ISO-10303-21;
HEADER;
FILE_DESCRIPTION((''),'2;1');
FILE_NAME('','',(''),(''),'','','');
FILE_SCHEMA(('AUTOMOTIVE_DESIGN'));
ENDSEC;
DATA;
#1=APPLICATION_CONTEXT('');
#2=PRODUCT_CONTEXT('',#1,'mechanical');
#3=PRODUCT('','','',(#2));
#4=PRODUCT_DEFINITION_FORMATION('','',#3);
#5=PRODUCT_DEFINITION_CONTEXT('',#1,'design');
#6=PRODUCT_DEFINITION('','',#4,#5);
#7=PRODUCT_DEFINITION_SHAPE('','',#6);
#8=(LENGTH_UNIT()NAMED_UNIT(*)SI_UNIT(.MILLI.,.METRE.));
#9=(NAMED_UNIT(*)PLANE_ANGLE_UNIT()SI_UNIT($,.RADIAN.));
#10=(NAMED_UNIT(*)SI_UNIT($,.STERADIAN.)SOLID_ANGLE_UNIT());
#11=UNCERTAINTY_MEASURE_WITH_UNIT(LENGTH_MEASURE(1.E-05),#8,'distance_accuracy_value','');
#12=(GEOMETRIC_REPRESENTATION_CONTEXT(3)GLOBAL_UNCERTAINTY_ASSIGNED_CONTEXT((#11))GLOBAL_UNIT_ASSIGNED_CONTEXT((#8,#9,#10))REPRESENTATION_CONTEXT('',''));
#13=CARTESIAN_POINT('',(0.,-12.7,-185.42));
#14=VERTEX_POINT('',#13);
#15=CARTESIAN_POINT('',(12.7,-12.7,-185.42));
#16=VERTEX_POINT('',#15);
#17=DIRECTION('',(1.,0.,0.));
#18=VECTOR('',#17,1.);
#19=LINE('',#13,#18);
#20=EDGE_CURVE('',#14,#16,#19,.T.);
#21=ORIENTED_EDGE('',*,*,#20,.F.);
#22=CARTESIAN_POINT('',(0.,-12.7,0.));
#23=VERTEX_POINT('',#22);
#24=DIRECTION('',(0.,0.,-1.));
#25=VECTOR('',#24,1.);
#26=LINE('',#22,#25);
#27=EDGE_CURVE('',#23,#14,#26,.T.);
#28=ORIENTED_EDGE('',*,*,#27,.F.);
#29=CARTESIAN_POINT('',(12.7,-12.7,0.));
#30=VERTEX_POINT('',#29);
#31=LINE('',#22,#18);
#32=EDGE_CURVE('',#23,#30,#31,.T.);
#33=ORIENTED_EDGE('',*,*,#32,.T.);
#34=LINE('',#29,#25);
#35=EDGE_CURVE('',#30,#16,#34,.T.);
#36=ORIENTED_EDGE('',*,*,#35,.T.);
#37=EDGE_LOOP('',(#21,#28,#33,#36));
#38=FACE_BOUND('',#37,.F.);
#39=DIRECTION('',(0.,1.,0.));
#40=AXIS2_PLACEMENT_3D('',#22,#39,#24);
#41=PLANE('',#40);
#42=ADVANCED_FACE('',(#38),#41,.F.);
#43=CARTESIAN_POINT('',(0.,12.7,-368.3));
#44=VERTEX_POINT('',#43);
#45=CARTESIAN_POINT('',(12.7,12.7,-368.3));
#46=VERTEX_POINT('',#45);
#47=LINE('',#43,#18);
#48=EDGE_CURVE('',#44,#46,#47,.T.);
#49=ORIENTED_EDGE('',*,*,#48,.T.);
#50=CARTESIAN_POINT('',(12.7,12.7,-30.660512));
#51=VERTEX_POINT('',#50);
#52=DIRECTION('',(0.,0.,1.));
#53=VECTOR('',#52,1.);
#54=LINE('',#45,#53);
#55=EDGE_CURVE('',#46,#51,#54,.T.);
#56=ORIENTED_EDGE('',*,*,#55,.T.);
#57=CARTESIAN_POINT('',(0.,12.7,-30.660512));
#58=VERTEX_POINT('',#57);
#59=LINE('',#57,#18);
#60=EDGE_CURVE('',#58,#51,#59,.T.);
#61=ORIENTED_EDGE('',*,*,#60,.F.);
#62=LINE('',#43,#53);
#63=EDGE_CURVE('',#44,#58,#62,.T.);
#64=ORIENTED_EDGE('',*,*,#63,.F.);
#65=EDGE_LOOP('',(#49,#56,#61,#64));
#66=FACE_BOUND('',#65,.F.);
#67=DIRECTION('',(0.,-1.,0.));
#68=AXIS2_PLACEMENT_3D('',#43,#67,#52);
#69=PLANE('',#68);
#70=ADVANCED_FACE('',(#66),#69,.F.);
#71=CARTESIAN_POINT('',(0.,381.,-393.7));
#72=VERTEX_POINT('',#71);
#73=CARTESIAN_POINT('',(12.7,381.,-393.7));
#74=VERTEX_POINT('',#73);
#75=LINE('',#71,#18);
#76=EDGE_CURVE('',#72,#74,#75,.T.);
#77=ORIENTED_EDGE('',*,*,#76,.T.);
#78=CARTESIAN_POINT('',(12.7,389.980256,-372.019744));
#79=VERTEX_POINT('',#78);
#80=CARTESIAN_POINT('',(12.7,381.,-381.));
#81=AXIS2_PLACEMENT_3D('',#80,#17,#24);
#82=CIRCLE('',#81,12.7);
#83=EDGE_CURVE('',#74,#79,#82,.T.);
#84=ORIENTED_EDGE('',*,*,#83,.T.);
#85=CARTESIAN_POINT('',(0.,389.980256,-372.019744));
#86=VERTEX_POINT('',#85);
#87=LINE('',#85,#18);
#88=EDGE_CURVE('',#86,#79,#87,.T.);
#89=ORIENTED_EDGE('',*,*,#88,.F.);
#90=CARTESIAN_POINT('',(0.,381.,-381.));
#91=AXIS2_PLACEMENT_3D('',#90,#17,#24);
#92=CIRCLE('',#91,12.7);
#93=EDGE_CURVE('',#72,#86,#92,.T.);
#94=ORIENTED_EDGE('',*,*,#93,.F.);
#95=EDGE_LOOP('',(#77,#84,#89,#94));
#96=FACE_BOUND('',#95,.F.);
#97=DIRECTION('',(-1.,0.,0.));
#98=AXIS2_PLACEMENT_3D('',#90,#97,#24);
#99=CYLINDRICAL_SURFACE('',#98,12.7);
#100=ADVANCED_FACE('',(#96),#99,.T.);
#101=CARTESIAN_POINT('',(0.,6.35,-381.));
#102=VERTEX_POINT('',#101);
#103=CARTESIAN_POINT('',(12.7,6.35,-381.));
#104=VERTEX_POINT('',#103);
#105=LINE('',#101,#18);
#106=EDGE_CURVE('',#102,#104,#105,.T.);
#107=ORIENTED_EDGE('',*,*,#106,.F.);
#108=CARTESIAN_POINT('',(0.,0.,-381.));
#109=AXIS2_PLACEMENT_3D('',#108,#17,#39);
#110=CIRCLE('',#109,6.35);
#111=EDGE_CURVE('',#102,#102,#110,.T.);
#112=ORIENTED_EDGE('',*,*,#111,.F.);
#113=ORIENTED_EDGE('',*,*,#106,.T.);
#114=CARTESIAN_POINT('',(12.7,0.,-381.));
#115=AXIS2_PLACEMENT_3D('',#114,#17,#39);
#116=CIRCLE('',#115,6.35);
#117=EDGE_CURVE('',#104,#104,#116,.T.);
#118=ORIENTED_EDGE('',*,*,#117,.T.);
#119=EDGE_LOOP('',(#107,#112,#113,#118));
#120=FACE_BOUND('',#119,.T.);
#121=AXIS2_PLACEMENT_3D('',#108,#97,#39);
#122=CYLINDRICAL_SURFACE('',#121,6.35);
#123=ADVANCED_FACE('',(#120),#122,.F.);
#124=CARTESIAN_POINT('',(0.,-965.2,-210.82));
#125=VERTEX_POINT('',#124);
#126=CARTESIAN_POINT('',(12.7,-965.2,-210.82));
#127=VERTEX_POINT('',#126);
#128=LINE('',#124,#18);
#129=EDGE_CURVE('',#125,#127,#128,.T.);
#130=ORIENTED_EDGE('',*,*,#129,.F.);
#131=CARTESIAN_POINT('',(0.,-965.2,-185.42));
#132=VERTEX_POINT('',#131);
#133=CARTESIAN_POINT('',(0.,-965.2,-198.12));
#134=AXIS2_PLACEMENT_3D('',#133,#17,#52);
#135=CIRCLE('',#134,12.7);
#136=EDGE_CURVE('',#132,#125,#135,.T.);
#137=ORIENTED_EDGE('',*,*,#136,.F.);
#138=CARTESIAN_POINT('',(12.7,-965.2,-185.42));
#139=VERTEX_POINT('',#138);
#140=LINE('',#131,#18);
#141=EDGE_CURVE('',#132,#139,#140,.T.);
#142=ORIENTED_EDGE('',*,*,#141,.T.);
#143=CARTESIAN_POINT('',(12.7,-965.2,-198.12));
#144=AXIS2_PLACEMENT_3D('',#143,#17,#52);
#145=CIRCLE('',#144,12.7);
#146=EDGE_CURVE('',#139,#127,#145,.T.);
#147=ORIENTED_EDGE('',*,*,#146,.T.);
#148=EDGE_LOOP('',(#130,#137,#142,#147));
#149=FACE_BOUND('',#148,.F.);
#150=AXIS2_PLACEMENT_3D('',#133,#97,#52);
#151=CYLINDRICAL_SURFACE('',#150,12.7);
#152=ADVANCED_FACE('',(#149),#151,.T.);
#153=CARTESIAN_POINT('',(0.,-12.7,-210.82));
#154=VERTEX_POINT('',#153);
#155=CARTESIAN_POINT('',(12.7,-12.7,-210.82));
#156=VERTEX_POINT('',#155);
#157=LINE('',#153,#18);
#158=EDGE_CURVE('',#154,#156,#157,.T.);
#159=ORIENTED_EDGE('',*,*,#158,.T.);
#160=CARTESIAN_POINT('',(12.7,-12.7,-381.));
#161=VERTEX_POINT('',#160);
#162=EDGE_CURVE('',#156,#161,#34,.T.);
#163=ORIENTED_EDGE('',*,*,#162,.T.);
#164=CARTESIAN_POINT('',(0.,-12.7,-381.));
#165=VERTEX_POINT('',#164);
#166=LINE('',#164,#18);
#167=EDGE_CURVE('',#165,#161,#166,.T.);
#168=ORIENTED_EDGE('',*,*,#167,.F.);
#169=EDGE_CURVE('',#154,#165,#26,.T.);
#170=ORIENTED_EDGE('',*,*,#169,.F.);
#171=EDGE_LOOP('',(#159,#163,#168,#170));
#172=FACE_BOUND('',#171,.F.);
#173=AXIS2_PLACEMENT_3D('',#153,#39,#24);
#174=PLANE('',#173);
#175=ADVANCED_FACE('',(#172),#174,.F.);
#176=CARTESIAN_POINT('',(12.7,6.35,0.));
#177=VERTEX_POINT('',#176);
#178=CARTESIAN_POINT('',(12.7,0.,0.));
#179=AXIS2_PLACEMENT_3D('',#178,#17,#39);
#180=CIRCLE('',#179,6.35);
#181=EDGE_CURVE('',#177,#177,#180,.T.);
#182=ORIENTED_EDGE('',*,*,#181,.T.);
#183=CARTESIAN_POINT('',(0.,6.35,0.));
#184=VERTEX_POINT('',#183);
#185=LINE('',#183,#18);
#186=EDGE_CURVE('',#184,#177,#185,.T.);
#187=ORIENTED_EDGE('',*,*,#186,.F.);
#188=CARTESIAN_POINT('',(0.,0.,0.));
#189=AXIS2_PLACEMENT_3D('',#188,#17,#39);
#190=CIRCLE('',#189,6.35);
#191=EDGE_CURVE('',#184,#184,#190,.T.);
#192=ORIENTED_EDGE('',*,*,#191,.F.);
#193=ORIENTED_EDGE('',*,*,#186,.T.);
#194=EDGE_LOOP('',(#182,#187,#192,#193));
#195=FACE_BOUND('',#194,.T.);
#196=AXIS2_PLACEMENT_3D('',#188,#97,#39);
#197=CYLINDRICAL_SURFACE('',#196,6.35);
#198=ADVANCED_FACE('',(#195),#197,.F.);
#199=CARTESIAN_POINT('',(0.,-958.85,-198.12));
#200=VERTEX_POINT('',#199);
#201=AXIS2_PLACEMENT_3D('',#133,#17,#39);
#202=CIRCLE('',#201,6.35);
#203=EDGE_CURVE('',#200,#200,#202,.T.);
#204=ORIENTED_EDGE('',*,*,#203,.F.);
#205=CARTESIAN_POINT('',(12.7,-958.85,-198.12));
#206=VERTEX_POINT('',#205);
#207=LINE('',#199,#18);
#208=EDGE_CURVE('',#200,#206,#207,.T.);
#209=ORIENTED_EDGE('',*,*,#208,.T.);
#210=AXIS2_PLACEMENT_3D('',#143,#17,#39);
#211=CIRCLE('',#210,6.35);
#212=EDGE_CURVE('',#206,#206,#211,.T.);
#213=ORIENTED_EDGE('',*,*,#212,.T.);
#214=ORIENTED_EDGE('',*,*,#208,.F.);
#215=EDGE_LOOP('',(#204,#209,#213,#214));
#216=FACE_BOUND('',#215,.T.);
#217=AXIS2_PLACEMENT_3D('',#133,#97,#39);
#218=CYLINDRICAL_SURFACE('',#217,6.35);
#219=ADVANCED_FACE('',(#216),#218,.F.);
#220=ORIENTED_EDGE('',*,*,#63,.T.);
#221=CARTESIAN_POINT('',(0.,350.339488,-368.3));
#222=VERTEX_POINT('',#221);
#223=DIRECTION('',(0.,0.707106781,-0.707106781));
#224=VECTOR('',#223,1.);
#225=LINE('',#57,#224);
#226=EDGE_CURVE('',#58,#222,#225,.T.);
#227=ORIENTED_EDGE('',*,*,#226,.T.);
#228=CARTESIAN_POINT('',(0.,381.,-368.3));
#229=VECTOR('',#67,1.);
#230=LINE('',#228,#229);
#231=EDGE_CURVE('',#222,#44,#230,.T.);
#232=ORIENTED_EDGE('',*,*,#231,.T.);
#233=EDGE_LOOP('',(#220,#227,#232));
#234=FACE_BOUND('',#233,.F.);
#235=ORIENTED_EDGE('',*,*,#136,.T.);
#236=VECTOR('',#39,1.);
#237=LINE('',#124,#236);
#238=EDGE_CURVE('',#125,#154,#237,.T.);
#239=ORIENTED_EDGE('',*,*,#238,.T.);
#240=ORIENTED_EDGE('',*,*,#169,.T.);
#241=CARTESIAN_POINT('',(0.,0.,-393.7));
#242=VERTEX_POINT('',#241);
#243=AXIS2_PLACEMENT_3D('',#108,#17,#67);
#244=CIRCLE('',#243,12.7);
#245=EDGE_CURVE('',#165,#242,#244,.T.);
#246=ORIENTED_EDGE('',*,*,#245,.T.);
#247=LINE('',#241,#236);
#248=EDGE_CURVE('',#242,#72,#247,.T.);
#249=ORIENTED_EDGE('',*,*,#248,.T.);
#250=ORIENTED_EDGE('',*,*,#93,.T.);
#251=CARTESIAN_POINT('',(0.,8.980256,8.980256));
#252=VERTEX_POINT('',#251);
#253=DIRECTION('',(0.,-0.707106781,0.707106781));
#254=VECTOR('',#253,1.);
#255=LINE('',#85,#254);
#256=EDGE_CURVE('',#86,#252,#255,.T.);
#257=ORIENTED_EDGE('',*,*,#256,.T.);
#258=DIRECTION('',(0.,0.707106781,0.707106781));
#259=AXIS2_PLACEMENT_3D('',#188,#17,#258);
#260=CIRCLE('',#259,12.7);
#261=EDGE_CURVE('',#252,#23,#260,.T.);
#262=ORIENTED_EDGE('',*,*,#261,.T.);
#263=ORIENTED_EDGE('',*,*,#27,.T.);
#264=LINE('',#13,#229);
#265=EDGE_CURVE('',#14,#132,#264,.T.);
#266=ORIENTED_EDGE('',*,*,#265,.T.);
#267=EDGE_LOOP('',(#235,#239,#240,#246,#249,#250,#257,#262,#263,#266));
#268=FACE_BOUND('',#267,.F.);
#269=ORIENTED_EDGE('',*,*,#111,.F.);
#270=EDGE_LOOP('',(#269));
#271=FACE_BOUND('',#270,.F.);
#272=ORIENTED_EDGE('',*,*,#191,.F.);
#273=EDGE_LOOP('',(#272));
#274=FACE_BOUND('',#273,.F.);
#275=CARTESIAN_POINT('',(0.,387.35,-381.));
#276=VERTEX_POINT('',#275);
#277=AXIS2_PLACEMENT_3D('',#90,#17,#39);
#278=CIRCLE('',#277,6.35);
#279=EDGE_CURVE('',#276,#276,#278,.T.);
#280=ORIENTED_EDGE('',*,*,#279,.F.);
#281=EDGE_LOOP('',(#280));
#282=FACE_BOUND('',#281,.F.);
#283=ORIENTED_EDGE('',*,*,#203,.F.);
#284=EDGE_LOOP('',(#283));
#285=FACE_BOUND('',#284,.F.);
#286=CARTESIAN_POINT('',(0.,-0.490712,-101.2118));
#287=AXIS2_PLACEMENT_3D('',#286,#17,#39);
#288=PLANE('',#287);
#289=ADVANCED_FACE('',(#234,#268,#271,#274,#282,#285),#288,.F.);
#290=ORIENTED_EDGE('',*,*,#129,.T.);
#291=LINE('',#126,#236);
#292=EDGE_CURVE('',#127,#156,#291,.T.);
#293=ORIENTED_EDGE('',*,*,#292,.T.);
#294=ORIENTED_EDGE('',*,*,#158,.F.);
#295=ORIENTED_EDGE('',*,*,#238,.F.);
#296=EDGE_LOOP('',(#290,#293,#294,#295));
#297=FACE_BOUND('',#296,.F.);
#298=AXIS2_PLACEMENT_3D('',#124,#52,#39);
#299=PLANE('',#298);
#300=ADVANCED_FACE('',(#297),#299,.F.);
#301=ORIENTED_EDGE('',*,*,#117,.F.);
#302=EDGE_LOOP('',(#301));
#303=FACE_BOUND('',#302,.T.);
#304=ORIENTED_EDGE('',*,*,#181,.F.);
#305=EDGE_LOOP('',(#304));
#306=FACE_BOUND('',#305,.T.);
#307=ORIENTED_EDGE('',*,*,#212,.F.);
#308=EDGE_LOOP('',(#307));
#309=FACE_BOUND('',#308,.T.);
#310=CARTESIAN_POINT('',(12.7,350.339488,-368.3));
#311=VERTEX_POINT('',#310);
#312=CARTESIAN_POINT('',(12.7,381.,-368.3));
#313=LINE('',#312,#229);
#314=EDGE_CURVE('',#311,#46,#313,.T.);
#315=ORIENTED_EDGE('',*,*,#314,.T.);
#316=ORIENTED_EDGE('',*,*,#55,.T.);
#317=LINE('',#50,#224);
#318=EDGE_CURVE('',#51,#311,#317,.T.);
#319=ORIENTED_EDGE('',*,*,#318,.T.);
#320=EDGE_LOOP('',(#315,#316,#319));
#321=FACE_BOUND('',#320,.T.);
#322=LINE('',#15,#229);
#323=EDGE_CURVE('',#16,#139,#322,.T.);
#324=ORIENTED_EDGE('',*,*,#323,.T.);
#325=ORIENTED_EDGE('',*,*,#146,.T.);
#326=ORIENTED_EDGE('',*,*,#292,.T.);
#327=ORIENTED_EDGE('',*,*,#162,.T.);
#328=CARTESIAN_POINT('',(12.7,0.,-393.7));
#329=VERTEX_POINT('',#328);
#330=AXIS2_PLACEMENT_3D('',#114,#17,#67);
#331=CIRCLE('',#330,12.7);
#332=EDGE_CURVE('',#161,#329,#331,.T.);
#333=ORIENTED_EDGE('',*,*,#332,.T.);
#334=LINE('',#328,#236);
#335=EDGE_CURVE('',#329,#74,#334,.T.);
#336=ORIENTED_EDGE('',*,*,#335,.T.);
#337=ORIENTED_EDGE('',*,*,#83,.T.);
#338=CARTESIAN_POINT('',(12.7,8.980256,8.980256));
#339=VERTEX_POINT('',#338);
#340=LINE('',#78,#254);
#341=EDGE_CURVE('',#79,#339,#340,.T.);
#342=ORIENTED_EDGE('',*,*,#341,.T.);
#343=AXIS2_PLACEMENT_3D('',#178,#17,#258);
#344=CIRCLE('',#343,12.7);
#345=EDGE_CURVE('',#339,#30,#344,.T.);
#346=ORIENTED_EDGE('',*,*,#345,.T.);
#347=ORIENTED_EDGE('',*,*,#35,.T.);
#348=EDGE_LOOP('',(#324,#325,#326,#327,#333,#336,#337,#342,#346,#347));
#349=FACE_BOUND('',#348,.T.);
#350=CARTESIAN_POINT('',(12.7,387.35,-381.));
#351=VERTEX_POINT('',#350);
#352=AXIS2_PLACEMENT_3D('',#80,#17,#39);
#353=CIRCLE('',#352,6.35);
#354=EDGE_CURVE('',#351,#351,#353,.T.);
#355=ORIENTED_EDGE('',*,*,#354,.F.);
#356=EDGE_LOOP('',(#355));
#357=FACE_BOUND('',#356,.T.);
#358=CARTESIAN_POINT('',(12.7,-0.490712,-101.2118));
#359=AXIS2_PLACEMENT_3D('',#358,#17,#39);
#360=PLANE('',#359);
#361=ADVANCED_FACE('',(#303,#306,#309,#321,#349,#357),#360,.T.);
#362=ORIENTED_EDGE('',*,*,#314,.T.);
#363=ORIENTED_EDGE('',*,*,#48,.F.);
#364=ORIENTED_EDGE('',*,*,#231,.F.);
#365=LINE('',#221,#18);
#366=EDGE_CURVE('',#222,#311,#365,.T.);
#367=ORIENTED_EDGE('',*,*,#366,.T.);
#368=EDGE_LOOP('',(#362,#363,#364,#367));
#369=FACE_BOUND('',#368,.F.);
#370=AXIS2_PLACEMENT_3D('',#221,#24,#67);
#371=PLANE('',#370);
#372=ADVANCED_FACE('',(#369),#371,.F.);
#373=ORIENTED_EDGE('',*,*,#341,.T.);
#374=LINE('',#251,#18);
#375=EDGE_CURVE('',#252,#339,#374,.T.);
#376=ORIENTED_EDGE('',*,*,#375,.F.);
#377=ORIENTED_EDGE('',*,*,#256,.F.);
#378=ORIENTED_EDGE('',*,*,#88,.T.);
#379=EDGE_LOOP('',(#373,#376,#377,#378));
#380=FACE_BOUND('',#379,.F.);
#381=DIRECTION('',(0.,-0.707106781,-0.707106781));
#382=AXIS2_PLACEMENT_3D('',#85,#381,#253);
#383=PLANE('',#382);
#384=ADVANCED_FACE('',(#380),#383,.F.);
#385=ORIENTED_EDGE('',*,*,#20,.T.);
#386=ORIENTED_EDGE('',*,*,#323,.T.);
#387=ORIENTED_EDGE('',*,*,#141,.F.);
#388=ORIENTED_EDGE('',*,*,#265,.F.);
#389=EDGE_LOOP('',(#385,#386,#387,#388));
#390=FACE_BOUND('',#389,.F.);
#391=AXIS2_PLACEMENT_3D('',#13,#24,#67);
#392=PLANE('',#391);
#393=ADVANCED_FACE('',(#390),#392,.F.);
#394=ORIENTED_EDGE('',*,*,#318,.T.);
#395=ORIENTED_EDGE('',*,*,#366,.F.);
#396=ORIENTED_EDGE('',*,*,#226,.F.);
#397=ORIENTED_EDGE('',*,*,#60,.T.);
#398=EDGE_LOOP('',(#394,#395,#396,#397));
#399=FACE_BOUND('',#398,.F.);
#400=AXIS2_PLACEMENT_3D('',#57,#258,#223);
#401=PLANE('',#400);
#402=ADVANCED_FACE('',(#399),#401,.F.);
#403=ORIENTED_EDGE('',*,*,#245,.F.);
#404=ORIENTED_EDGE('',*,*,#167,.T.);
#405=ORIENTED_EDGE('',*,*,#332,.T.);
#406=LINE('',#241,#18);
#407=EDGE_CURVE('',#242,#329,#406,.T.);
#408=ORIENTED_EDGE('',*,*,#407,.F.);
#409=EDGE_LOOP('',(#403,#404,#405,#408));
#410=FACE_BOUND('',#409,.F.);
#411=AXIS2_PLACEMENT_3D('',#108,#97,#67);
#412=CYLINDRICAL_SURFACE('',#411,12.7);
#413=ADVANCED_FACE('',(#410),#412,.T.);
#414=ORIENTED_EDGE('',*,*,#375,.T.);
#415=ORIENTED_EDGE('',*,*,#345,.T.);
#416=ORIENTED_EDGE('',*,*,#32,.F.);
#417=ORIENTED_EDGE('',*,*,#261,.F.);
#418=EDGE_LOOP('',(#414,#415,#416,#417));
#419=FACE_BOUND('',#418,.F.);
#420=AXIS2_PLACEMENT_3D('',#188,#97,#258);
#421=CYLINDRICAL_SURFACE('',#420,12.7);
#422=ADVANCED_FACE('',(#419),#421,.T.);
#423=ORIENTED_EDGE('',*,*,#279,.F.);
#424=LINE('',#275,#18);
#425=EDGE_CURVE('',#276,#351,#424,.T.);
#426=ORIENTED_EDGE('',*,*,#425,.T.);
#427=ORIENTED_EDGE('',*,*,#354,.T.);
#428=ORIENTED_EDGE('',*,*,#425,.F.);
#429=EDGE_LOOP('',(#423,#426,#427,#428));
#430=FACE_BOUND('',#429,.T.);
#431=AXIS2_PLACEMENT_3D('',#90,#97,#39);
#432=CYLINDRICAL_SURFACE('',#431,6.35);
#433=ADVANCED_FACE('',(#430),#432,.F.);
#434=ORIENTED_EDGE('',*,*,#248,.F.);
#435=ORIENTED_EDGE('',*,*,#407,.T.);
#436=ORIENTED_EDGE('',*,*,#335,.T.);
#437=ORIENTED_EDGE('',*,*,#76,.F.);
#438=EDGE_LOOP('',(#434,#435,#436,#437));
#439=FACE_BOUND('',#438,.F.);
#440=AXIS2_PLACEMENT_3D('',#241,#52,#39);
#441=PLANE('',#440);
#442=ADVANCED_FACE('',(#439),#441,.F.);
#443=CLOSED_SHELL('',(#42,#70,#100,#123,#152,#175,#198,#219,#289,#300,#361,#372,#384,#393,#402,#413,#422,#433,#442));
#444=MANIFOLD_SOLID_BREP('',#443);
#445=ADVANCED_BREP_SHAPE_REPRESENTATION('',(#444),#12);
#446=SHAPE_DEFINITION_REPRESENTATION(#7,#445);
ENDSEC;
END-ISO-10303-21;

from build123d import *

# Parameters (mm, degrees)
F0_R     = 6.35
F1_DEPTH = 12.7


with BuildPart() as f1:
    # F0 (on Right) → F1 (new body)
    with BuildSketch(Plane.YZ):
        with BuildLine():
            ThreePointArc((-8.9802561211, -8.9802561211), (-11.7332700629, -4.860079591), (-12.7, 0))
            Line((-12.7, 0), (-12.7, -185.42))
            Line((-12.7, -185.42), (0, -185.42))
            ThreePointArc((0, -185.42), (8.9802561211, -189.1397438789), (12.7, -198.12))
            Line((12.7, -198.12), (12.7, -30.6605122421))
            Line((12.7, -30.6605122421), (-8.9802561211, -8.9802561211))
        make_face()
        with BuildLine():
            Line((0, -185.42), (-12.7, -185.42))
            Line((-12.7, -185.42), (-12.7, -210.82))
            Line((-12.7, -210.82), (0, -210.82))
            ThreePointArc((0, -210.82), (8.9802561211, -207.1002561211), (12.7, -198.12))
            ThreePointArc((12.7, -198.12), (8.9802561211, -189.1397438789), (0, -185.42))
        make_face()
        with BuildLine():
            Line((-12.7, -210.82), (-12.7, -381))
            ThreePointArc((-12.7, -381), (-8.9802561211, -372.0197438789), (0, -368.3))
            Line((0, -368.3), (12.7, -368.3))
            Line((12.7, -368.3), (12.7, -198.12))
            ThreePointArc((12.7, -198.12), (8.9802561211, -207.1002561211), (0, -210.82))
            Line((0, -210.82), (-12.7, -210.82))
        make_face()
        with BuildLine():
            Line((0, -393.7), (381, -393.7))
            ThreePointArc((381, -393.7), (376.139920409, -392.7332700629), (372.0197438789, -389.9802561211))
            Line((372.0197438789, -389.9802561211), (350.3394877579, -368.3))
            Line((350.3394877579, -368.3), (12.7, -368.3))
            Line((12.7, -368.3), (12.7, -381))
            ThreePointArc((12.7, -381), (8.9802561211, -389.9802561211), (0, -393.7))
        make_face()
        with BuildLine():
            ThreePointArc((381, -393.7), (392.7332700629, -385.860079591), (389.9802561211, -372.0197438789))
            ThreePointArc((389.9802561211, -372.0197438789), (385.860079591, -369.2667299371), (381, -368.3))
            Line((381, -368.3), (350.3394877579, -368.3))
            Line((350.3394877579, -368.3), (372.0197438789, -389.9802561211))
            ThreePointArc((372.0197438789, -389.9802561211), (376.139920409, -392.7332700629), (381, -393.7))
        make_face()
        with Locations((381, -381)):
            Circle(F0_R, mode=Mode.SUBTRACT)
        with BuildLine():
            ThreePointArc((381, -368.3), (385.860079591, -369.2667299371), (389.9802561211, -372.0197438789))
            Line((389.9802561211, -372.0197438789), (8.9802561211, 8.9802561211))
            ThreePointArc((8.9802561211, 8.9802561211), (-4.860079591, 11.7332700629), (-12.7, 0))
            ThreePointArc((-12.7, 0), (-11.7332700629, -4.860079591), (-8.9802561211, -8.9802561211))
            Line((-8.9802561211, -8.9802561211), (12.7, -30.6605122421))
            Line((12.7, -30.6605122421), (350.3394877579, -368.3))
            Line((350.3394877579, -368.3), (381, -368.3))
        make_face()
        Circle(F0_R, mode=Mode.SUBTRACT)
        with BuildLine():
            ThreePointArc((-12.7, -381), (-8.9802561211, -389.9802561211), (0, -393.7))
            ThreePointArc((0, -393.7), (8.9802561211, -389.9802561211), (12.7, -381))
            Line((12.7, -381), (12.7, -368.3))
            Line((12.7, -368.3), (0, -368.3))
            ThreePointArc((0, -368.3), (-8.9802561211, -372.0197438789), (-12.7, -381))
        make_face()
        with Locations((0, -381)):
            Circle(F0_R, mode=Mode.SUBTRACT)
        with BuildLine():
            Line((-12.7, -210.82), (-12.7, -185.42))
            Line((-12.7, -185.42), (-965.2, -185.42))
            ThreePointArc((-965.2, -185.42), (-977.9, -198.12), (-965.2, -210.82))
            Line((-965.2, -210.82), (-12.7, -210.82))
        make_face()
        with Locations((-965.2, -198.12)):
            Circle(F0_R, mode=Mode.SUBTRACT)
    extrude(amount=F1_DEPTH)


solid = f1.part
